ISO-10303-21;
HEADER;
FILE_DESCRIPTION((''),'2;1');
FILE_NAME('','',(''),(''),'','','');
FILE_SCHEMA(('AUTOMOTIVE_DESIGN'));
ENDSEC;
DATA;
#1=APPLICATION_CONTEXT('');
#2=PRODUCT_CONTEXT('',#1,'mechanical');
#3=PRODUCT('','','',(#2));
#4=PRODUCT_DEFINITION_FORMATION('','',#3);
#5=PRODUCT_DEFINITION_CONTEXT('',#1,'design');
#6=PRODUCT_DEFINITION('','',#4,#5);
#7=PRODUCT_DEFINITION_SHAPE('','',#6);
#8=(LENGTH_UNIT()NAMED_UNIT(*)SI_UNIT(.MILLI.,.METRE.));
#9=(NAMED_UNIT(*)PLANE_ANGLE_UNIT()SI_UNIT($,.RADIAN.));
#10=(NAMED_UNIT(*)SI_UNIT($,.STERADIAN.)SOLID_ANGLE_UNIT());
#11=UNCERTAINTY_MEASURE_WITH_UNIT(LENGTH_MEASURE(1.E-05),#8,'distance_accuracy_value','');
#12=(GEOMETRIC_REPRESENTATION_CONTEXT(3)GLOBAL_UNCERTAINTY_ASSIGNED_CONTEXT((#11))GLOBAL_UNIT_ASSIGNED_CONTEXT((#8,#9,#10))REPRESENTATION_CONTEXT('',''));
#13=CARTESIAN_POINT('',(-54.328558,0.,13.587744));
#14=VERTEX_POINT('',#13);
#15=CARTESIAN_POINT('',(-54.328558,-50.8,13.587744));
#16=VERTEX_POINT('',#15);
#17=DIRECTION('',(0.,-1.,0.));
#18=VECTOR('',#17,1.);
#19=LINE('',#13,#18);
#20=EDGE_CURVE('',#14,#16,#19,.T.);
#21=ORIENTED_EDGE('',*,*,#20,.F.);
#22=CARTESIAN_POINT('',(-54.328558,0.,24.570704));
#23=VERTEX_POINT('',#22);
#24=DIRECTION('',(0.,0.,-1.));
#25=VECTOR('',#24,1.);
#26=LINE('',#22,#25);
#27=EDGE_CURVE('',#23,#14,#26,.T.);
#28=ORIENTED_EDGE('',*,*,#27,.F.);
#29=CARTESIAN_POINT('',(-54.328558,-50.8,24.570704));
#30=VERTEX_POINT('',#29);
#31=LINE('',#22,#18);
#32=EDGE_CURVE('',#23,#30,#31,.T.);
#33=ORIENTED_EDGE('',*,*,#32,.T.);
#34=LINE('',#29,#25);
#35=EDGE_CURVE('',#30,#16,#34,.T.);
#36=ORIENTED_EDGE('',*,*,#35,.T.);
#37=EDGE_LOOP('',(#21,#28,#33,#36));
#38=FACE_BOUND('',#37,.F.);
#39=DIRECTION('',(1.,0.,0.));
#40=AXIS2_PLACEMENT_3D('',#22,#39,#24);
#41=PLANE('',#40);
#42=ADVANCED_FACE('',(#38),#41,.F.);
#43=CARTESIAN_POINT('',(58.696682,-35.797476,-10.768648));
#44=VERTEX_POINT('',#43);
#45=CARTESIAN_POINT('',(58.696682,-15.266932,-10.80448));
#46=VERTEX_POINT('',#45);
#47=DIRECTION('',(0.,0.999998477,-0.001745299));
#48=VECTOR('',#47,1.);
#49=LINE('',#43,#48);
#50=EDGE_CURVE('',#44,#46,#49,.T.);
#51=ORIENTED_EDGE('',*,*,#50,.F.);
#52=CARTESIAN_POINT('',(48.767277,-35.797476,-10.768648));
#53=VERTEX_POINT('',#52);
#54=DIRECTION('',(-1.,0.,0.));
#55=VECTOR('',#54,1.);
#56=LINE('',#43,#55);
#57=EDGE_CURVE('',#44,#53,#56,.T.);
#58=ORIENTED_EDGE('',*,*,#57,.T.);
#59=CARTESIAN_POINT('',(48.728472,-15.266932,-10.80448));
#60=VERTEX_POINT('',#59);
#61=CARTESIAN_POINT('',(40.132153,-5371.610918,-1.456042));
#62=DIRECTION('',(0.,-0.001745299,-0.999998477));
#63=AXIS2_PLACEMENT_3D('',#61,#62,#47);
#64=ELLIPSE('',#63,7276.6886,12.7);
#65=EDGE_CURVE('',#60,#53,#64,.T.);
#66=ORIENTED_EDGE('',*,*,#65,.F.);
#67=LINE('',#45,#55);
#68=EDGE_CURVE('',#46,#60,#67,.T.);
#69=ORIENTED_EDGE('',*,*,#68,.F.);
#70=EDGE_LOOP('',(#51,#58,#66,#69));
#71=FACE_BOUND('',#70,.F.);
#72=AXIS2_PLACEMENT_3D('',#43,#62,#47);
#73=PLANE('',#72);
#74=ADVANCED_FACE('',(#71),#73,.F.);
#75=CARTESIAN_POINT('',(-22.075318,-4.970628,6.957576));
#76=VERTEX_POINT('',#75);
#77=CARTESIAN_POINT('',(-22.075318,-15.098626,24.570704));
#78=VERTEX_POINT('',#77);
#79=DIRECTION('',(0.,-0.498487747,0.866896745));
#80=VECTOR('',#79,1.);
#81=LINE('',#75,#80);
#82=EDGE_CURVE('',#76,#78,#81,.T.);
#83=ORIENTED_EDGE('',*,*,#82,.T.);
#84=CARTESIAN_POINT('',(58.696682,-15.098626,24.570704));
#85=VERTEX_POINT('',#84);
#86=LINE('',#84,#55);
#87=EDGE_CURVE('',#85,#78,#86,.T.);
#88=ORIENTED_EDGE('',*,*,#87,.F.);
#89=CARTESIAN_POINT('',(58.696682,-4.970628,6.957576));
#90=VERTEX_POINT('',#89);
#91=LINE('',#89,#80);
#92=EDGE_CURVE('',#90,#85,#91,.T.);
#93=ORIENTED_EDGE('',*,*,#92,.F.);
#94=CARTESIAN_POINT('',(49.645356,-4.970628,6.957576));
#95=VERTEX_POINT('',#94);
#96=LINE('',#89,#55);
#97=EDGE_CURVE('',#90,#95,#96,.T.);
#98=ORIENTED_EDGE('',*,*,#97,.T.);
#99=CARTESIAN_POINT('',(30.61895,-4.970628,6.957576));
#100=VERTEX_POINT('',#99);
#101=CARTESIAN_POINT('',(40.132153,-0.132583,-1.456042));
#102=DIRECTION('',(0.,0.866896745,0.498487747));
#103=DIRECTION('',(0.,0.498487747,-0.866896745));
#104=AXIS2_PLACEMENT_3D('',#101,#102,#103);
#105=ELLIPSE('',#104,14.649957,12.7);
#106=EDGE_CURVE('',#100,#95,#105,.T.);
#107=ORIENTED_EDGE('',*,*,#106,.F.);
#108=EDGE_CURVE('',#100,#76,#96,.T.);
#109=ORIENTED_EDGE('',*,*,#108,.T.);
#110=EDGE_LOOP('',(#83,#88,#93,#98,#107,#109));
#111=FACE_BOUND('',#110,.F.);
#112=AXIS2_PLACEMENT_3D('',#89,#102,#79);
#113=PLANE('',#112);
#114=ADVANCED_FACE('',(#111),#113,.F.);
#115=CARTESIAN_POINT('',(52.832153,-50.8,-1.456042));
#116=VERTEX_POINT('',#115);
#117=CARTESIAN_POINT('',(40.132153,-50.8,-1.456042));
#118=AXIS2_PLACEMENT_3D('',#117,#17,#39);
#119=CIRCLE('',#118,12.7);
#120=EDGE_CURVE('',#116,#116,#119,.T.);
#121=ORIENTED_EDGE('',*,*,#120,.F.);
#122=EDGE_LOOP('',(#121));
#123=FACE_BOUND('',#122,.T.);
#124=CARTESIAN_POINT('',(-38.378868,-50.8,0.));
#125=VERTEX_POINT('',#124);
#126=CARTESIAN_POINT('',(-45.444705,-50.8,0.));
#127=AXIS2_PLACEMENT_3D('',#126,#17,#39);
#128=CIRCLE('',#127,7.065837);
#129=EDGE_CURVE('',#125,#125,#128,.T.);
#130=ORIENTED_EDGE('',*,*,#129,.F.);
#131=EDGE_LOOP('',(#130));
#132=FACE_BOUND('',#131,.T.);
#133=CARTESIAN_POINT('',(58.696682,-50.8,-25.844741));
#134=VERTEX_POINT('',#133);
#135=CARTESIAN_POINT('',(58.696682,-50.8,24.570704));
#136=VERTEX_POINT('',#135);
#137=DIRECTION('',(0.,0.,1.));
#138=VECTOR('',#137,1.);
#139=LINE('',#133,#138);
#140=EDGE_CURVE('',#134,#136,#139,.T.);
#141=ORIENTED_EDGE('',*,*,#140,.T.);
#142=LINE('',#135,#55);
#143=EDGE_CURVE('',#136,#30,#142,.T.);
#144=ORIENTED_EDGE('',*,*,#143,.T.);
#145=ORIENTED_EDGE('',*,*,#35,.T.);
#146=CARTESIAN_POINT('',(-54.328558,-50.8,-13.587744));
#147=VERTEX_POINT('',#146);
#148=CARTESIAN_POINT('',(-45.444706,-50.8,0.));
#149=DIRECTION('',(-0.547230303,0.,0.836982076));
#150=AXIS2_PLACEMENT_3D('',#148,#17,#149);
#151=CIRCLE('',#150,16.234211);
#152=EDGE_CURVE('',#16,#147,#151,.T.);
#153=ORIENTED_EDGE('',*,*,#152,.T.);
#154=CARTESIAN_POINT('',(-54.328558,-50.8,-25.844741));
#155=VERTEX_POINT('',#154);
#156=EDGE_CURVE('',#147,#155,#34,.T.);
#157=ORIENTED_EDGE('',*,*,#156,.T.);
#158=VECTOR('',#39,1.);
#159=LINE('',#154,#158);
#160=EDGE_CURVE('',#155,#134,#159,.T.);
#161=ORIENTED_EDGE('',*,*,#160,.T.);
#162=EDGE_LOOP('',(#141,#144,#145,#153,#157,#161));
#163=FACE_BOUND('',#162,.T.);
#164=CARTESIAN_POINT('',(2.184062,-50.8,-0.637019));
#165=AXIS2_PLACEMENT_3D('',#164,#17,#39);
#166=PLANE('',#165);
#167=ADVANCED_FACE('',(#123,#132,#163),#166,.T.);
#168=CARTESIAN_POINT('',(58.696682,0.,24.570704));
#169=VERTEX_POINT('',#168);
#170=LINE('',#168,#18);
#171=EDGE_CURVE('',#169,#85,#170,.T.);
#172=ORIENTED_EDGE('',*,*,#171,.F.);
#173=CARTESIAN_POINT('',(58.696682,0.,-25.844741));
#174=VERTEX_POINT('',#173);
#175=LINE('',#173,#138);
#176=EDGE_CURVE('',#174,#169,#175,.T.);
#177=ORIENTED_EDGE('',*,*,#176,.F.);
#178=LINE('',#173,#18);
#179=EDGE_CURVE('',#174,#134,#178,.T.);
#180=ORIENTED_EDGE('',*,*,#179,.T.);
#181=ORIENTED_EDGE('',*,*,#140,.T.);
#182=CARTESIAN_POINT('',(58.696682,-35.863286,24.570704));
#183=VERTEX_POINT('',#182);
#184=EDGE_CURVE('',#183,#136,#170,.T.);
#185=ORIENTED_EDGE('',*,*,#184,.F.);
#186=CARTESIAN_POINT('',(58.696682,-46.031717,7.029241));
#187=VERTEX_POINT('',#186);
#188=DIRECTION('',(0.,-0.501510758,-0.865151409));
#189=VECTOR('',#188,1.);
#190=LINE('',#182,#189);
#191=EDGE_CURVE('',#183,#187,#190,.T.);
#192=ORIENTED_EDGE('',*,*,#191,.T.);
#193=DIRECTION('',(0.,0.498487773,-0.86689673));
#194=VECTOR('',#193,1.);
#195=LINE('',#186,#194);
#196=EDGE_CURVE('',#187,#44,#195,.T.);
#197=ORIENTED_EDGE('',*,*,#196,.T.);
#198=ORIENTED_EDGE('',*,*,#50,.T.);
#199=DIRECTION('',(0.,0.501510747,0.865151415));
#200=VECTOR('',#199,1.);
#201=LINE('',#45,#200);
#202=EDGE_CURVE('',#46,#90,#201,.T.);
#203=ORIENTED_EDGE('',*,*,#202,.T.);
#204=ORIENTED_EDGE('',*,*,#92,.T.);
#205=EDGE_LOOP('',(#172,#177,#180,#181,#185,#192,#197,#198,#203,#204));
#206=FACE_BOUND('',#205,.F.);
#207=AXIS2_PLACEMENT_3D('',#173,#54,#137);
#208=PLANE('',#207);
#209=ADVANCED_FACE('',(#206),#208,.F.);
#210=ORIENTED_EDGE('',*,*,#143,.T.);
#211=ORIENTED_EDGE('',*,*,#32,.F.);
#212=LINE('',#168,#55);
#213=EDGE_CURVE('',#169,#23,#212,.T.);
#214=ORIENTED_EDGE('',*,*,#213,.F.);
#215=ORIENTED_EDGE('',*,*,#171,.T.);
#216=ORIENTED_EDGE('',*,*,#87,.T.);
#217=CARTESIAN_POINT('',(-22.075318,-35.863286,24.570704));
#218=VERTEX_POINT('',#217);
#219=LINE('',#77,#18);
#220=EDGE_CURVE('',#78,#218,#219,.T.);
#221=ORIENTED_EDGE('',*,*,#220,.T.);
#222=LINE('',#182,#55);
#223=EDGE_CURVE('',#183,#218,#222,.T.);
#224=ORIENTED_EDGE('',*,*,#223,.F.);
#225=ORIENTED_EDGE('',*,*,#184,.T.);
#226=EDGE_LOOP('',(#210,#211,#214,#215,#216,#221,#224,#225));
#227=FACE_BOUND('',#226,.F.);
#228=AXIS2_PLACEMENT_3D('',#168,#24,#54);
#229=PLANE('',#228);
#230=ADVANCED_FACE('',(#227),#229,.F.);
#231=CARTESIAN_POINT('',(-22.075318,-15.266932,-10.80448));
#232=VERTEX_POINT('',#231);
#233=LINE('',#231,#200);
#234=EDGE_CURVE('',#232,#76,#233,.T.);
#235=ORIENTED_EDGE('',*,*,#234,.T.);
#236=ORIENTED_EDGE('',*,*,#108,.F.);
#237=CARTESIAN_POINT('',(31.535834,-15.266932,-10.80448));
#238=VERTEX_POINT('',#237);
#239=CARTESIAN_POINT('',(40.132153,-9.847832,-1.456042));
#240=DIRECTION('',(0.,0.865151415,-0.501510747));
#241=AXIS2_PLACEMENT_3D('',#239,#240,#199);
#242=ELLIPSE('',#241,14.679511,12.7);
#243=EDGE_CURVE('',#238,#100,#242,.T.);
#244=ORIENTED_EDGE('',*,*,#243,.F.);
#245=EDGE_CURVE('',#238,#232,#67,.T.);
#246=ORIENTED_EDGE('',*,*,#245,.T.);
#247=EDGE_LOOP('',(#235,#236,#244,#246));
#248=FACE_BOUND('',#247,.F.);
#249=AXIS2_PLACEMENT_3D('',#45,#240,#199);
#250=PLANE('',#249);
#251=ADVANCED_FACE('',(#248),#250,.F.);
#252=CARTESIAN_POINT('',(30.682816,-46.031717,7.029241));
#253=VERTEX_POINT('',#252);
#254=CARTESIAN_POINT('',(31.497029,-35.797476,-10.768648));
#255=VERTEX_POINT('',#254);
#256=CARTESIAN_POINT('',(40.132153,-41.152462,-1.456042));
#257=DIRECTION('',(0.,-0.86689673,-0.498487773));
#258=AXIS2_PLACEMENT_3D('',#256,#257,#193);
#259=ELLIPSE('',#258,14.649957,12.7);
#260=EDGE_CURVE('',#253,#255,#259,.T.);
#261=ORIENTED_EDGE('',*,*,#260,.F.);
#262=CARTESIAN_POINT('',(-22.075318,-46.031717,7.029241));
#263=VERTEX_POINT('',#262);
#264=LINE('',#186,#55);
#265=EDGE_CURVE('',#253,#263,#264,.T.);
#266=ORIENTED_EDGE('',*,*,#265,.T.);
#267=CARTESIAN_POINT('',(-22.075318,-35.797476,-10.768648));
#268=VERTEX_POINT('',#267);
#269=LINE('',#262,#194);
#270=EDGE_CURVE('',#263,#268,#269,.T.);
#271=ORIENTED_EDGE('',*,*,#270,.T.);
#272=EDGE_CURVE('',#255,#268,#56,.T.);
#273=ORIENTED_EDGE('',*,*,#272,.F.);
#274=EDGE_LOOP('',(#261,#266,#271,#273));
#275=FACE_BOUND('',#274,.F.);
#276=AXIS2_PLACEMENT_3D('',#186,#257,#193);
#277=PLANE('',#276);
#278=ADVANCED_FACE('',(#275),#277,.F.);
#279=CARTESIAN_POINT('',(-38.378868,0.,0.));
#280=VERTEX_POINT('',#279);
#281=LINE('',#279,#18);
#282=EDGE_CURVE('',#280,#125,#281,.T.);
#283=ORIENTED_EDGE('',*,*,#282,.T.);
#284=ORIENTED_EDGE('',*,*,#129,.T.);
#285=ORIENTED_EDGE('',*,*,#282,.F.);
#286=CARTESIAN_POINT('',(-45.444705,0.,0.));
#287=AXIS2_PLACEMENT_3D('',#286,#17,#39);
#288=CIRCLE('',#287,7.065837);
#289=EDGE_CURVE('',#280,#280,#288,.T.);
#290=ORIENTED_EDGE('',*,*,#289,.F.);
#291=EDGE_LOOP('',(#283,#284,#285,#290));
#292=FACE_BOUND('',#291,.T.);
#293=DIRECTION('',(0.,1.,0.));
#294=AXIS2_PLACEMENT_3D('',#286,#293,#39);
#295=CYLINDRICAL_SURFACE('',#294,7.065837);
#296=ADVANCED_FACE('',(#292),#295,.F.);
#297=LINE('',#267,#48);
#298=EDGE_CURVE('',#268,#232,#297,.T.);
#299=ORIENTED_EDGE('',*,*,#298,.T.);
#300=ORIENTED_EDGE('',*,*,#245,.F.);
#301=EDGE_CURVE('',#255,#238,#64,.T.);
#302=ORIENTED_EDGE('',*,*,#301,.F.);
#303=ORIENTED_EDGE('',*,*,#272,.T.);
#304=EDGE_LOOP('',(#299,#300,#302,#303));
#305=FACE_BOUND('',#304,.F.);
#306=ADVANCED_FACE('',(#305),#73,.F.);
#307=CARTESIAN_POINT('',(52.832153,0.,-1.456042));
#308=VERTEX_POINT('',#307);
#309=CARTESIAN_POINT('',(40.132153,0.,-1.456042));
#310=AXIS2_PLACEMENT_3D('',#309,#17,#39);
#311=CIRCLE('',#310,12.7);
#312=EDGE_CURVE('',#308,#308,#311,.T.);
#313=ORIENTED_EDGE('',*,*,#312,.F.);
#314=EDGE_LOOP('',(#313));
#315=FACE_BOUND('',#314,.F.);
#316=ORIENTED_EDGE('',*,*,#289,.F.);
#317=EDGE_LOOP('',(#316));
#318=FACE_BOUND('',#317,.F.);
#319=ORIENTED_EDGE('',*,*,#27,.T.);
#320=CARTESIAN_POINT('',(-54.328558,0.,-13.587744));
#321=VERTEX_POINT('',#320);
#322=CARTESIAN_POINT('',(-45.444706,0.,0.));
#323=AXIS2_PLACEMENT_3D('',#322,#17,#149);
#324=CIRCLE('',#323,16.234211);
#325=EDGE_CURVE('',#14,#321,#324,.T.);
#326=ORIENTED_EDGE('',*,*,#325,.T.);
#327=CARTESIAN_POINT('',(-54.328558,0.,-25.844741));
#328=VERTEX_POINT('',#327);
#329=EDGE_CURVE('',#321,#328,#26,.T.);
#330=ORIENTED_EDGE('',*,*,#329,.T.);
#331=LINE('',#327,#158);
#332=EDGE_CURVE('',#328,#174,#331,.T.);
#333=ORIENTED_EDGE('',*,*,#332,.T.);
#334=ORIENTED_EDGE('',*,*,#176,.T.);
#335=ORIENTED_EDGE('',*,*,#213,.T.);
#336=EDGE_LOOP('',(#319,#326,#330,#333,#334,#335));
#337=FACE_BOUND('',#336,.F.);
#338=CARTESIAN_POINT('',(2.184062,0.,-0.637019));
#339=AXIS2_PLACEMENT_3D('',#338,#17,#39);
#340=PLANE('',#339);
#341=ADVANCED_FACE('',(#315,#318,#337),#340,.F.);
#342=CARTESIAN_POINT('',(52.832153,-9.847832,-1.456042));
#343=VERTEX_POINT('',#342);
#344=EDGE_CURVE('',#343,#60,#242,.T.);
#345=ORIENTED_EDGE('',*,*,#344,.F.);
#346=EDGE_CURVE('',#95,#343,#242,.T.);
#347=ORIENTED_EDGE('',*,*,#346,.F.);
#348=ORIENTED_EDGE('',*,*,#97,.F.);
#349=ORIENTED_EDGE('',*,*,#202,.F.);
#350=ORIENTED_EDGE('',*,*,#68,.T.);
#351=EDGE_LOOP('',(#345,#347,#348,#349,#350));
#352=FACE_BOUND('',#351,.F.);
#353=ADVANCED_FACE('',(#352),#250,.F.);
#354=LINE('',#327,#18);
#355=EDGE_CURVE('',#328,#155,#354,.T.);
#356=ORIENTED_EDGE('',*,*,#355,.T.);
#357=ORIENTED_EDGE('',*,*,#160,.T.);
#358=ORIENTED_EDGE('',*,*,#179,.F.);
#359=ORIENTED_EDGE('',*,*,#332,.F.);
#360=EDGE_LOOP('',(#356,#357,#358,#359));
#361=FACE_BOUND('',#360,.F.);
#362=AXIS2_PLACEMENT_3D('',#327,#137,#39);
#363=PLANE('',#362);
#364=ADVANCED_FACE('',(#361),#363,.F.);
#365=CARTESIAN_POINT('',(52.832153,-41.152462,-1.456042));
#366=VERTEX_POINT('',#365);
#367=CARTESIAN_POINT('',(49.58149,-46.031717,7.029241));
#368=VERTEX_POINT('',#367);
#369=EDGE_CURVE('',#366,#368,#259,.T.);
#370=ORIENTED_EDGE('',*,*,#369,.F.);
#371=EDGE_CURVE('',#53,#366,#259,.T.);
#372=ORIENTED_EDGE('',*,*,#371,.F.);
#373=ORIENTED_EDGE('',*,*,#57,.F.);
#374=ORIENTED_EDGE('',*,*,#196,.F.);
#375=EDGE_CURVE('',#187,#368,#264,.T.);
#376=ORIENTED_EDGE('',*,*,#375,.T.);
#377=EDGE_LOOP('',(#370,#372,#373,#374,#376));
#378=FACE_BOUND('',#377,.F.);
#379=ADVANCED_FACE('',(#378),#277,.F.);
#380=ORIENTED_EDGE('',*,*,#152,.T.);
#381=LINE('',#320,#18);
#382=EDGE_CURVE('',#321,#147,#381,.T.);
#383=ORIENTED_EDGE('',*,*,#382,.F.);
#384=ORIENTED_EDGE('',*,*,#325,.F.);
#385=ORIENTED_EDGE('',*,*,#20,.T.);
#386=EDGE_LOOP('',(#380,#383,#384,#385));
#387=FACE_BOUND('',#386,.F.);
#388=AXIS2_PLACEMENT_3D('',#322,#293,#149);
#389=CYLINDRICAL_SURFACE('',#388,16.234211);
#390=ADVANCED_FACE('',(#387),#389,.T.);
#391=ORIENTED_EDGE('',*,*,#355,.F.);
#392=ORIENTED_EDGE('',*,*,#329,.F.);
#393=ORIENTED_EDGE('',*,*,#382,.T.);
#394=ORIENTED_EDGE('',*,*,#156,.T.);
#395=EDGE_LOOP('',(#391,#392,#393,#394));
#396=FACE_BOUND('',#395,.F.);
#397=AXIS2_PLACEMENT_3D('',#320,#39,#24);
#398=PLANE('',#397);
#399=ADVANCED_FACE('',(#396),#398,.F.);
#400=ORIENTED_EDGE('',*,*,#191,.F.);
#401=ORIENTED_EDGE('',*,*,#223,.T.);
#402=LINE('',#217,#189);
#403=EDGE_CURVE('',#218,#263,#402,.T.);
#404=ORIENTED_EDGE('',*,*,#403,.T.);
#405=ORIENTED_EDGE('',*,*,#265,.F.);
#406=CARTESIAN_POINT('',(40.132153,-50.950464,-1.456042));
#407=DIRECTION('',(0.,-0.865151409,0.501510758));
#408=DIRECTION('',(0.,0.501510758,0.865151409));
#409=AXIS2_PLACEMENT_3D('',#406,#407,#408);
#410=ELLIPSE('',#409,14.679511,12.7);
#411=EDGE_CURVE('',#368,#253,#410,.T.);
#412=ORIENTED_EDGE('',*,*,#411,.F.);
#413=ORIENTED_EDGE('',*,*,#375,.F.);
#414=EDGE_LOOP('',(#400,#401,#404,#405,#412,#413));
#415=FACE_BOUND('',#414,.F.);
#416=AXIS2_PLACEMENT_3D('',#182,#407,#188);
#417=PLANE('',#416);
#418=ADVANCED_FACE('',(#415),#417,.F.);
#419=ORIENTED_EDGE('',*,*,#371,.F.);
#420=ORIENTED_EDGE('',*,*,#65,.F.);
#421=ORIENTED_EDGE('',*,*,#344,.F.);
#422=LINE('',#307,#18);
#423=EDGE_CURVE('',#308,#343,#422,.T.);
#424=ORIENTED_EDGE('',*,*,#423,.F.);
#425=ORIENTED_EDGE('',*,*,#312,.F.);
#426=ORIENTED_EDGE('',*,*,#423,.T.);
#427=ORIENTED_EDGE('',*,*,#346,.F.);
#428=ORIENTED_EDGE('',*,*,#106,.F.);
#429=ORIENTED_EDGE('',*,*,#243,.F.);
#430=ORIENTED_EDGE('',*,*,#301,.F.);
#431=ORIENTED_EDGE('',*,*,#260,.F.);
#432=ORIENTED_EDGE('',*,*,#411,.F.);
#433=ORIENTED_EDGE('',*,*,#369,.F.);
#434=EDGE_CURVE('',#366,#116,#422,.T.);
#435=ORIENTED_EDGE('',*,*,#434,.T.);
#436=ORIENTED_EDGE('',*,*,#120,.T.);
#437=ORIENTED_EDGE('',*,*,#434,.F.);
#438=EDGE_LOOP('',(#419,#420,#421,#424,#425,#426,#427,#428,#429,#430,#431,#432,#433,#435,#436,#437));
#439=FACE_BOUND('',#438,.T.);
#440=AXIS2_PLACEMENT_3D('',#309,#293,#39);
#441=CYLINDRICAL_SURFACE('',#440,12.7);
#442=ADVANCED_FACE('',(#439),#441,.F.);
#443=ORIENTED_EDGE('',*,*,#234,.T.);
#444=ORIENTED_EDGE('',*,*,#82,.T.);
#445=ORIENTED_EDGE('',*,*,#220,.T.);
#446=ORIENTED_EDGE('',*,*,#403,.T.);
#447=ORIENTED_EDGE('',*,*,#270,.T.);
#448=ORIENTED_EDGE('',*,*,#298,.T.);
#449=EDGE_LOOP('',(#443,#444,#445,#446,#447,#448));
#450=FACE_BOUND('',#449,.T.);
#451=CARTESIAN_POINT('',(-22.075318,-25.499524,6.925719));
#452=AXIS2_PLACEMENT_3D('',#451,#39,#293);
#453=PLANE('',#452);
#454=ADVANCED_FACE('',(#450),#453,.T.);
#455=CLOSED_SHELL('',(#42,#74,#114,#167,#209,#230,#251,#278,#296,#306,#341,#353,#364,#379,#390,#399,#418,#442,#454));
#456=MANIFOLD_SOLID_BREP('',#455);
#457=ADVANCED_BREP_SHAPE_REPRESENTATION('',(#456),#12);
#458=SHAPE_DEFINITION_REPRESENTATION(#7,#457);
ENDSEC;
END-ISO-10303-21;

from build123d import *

# Parameters (mm, degrees)
F0_R     = 12.7
F0_R_2   = 7.065837
F1_DEPTH = 50.8
F3_DEPTH = 80.772


with BuildPart() as f1:
    # F0 (on Front) → F1 (new body)
    with BuildSketch(Plane.XZ):
        Polygon((58.696682, 24.570704), (-54.328558, 24.570704), (-54.328558, 13.587744), (-54.328558, -13.587744), (-54.328558, -25.844741), (58.696682, -25.844741), align=None)
        with Locations((40.132153, -1.456042)):
            Circle(F0_R, mode=Mode.SUBTRACT)
        with Locations((-45.444705, 0)):
            Circle(F0_R_2, mode=Mode.SUBTRACT)
        with BuildLine():
            Line((-54.328558, -13.587744), (-54.328558, 13.587744))
            ThreePointArc((-54.328558, 13.587744), (-61.678917, 0), (-54.328558, -13.587744))
        make_face()
    extrude(amount=F1_DEPTH)

    # F2 (on face) → F3 (cut)
    with BuildSketch(Plane.YZ.offset(58.696682)):
        Polygon((-46.031717, 7.029241), (-35.797476, -10.768648), (-15.266932, -10.80448), (-4.970628, 6.957576), (-15.098626, 24.570704), (-35.863286, 24.570704), align=None)
    extrude(amount=-F3_DEPTH, mode=Mode.SUBTRACT)


solid = f1.part
